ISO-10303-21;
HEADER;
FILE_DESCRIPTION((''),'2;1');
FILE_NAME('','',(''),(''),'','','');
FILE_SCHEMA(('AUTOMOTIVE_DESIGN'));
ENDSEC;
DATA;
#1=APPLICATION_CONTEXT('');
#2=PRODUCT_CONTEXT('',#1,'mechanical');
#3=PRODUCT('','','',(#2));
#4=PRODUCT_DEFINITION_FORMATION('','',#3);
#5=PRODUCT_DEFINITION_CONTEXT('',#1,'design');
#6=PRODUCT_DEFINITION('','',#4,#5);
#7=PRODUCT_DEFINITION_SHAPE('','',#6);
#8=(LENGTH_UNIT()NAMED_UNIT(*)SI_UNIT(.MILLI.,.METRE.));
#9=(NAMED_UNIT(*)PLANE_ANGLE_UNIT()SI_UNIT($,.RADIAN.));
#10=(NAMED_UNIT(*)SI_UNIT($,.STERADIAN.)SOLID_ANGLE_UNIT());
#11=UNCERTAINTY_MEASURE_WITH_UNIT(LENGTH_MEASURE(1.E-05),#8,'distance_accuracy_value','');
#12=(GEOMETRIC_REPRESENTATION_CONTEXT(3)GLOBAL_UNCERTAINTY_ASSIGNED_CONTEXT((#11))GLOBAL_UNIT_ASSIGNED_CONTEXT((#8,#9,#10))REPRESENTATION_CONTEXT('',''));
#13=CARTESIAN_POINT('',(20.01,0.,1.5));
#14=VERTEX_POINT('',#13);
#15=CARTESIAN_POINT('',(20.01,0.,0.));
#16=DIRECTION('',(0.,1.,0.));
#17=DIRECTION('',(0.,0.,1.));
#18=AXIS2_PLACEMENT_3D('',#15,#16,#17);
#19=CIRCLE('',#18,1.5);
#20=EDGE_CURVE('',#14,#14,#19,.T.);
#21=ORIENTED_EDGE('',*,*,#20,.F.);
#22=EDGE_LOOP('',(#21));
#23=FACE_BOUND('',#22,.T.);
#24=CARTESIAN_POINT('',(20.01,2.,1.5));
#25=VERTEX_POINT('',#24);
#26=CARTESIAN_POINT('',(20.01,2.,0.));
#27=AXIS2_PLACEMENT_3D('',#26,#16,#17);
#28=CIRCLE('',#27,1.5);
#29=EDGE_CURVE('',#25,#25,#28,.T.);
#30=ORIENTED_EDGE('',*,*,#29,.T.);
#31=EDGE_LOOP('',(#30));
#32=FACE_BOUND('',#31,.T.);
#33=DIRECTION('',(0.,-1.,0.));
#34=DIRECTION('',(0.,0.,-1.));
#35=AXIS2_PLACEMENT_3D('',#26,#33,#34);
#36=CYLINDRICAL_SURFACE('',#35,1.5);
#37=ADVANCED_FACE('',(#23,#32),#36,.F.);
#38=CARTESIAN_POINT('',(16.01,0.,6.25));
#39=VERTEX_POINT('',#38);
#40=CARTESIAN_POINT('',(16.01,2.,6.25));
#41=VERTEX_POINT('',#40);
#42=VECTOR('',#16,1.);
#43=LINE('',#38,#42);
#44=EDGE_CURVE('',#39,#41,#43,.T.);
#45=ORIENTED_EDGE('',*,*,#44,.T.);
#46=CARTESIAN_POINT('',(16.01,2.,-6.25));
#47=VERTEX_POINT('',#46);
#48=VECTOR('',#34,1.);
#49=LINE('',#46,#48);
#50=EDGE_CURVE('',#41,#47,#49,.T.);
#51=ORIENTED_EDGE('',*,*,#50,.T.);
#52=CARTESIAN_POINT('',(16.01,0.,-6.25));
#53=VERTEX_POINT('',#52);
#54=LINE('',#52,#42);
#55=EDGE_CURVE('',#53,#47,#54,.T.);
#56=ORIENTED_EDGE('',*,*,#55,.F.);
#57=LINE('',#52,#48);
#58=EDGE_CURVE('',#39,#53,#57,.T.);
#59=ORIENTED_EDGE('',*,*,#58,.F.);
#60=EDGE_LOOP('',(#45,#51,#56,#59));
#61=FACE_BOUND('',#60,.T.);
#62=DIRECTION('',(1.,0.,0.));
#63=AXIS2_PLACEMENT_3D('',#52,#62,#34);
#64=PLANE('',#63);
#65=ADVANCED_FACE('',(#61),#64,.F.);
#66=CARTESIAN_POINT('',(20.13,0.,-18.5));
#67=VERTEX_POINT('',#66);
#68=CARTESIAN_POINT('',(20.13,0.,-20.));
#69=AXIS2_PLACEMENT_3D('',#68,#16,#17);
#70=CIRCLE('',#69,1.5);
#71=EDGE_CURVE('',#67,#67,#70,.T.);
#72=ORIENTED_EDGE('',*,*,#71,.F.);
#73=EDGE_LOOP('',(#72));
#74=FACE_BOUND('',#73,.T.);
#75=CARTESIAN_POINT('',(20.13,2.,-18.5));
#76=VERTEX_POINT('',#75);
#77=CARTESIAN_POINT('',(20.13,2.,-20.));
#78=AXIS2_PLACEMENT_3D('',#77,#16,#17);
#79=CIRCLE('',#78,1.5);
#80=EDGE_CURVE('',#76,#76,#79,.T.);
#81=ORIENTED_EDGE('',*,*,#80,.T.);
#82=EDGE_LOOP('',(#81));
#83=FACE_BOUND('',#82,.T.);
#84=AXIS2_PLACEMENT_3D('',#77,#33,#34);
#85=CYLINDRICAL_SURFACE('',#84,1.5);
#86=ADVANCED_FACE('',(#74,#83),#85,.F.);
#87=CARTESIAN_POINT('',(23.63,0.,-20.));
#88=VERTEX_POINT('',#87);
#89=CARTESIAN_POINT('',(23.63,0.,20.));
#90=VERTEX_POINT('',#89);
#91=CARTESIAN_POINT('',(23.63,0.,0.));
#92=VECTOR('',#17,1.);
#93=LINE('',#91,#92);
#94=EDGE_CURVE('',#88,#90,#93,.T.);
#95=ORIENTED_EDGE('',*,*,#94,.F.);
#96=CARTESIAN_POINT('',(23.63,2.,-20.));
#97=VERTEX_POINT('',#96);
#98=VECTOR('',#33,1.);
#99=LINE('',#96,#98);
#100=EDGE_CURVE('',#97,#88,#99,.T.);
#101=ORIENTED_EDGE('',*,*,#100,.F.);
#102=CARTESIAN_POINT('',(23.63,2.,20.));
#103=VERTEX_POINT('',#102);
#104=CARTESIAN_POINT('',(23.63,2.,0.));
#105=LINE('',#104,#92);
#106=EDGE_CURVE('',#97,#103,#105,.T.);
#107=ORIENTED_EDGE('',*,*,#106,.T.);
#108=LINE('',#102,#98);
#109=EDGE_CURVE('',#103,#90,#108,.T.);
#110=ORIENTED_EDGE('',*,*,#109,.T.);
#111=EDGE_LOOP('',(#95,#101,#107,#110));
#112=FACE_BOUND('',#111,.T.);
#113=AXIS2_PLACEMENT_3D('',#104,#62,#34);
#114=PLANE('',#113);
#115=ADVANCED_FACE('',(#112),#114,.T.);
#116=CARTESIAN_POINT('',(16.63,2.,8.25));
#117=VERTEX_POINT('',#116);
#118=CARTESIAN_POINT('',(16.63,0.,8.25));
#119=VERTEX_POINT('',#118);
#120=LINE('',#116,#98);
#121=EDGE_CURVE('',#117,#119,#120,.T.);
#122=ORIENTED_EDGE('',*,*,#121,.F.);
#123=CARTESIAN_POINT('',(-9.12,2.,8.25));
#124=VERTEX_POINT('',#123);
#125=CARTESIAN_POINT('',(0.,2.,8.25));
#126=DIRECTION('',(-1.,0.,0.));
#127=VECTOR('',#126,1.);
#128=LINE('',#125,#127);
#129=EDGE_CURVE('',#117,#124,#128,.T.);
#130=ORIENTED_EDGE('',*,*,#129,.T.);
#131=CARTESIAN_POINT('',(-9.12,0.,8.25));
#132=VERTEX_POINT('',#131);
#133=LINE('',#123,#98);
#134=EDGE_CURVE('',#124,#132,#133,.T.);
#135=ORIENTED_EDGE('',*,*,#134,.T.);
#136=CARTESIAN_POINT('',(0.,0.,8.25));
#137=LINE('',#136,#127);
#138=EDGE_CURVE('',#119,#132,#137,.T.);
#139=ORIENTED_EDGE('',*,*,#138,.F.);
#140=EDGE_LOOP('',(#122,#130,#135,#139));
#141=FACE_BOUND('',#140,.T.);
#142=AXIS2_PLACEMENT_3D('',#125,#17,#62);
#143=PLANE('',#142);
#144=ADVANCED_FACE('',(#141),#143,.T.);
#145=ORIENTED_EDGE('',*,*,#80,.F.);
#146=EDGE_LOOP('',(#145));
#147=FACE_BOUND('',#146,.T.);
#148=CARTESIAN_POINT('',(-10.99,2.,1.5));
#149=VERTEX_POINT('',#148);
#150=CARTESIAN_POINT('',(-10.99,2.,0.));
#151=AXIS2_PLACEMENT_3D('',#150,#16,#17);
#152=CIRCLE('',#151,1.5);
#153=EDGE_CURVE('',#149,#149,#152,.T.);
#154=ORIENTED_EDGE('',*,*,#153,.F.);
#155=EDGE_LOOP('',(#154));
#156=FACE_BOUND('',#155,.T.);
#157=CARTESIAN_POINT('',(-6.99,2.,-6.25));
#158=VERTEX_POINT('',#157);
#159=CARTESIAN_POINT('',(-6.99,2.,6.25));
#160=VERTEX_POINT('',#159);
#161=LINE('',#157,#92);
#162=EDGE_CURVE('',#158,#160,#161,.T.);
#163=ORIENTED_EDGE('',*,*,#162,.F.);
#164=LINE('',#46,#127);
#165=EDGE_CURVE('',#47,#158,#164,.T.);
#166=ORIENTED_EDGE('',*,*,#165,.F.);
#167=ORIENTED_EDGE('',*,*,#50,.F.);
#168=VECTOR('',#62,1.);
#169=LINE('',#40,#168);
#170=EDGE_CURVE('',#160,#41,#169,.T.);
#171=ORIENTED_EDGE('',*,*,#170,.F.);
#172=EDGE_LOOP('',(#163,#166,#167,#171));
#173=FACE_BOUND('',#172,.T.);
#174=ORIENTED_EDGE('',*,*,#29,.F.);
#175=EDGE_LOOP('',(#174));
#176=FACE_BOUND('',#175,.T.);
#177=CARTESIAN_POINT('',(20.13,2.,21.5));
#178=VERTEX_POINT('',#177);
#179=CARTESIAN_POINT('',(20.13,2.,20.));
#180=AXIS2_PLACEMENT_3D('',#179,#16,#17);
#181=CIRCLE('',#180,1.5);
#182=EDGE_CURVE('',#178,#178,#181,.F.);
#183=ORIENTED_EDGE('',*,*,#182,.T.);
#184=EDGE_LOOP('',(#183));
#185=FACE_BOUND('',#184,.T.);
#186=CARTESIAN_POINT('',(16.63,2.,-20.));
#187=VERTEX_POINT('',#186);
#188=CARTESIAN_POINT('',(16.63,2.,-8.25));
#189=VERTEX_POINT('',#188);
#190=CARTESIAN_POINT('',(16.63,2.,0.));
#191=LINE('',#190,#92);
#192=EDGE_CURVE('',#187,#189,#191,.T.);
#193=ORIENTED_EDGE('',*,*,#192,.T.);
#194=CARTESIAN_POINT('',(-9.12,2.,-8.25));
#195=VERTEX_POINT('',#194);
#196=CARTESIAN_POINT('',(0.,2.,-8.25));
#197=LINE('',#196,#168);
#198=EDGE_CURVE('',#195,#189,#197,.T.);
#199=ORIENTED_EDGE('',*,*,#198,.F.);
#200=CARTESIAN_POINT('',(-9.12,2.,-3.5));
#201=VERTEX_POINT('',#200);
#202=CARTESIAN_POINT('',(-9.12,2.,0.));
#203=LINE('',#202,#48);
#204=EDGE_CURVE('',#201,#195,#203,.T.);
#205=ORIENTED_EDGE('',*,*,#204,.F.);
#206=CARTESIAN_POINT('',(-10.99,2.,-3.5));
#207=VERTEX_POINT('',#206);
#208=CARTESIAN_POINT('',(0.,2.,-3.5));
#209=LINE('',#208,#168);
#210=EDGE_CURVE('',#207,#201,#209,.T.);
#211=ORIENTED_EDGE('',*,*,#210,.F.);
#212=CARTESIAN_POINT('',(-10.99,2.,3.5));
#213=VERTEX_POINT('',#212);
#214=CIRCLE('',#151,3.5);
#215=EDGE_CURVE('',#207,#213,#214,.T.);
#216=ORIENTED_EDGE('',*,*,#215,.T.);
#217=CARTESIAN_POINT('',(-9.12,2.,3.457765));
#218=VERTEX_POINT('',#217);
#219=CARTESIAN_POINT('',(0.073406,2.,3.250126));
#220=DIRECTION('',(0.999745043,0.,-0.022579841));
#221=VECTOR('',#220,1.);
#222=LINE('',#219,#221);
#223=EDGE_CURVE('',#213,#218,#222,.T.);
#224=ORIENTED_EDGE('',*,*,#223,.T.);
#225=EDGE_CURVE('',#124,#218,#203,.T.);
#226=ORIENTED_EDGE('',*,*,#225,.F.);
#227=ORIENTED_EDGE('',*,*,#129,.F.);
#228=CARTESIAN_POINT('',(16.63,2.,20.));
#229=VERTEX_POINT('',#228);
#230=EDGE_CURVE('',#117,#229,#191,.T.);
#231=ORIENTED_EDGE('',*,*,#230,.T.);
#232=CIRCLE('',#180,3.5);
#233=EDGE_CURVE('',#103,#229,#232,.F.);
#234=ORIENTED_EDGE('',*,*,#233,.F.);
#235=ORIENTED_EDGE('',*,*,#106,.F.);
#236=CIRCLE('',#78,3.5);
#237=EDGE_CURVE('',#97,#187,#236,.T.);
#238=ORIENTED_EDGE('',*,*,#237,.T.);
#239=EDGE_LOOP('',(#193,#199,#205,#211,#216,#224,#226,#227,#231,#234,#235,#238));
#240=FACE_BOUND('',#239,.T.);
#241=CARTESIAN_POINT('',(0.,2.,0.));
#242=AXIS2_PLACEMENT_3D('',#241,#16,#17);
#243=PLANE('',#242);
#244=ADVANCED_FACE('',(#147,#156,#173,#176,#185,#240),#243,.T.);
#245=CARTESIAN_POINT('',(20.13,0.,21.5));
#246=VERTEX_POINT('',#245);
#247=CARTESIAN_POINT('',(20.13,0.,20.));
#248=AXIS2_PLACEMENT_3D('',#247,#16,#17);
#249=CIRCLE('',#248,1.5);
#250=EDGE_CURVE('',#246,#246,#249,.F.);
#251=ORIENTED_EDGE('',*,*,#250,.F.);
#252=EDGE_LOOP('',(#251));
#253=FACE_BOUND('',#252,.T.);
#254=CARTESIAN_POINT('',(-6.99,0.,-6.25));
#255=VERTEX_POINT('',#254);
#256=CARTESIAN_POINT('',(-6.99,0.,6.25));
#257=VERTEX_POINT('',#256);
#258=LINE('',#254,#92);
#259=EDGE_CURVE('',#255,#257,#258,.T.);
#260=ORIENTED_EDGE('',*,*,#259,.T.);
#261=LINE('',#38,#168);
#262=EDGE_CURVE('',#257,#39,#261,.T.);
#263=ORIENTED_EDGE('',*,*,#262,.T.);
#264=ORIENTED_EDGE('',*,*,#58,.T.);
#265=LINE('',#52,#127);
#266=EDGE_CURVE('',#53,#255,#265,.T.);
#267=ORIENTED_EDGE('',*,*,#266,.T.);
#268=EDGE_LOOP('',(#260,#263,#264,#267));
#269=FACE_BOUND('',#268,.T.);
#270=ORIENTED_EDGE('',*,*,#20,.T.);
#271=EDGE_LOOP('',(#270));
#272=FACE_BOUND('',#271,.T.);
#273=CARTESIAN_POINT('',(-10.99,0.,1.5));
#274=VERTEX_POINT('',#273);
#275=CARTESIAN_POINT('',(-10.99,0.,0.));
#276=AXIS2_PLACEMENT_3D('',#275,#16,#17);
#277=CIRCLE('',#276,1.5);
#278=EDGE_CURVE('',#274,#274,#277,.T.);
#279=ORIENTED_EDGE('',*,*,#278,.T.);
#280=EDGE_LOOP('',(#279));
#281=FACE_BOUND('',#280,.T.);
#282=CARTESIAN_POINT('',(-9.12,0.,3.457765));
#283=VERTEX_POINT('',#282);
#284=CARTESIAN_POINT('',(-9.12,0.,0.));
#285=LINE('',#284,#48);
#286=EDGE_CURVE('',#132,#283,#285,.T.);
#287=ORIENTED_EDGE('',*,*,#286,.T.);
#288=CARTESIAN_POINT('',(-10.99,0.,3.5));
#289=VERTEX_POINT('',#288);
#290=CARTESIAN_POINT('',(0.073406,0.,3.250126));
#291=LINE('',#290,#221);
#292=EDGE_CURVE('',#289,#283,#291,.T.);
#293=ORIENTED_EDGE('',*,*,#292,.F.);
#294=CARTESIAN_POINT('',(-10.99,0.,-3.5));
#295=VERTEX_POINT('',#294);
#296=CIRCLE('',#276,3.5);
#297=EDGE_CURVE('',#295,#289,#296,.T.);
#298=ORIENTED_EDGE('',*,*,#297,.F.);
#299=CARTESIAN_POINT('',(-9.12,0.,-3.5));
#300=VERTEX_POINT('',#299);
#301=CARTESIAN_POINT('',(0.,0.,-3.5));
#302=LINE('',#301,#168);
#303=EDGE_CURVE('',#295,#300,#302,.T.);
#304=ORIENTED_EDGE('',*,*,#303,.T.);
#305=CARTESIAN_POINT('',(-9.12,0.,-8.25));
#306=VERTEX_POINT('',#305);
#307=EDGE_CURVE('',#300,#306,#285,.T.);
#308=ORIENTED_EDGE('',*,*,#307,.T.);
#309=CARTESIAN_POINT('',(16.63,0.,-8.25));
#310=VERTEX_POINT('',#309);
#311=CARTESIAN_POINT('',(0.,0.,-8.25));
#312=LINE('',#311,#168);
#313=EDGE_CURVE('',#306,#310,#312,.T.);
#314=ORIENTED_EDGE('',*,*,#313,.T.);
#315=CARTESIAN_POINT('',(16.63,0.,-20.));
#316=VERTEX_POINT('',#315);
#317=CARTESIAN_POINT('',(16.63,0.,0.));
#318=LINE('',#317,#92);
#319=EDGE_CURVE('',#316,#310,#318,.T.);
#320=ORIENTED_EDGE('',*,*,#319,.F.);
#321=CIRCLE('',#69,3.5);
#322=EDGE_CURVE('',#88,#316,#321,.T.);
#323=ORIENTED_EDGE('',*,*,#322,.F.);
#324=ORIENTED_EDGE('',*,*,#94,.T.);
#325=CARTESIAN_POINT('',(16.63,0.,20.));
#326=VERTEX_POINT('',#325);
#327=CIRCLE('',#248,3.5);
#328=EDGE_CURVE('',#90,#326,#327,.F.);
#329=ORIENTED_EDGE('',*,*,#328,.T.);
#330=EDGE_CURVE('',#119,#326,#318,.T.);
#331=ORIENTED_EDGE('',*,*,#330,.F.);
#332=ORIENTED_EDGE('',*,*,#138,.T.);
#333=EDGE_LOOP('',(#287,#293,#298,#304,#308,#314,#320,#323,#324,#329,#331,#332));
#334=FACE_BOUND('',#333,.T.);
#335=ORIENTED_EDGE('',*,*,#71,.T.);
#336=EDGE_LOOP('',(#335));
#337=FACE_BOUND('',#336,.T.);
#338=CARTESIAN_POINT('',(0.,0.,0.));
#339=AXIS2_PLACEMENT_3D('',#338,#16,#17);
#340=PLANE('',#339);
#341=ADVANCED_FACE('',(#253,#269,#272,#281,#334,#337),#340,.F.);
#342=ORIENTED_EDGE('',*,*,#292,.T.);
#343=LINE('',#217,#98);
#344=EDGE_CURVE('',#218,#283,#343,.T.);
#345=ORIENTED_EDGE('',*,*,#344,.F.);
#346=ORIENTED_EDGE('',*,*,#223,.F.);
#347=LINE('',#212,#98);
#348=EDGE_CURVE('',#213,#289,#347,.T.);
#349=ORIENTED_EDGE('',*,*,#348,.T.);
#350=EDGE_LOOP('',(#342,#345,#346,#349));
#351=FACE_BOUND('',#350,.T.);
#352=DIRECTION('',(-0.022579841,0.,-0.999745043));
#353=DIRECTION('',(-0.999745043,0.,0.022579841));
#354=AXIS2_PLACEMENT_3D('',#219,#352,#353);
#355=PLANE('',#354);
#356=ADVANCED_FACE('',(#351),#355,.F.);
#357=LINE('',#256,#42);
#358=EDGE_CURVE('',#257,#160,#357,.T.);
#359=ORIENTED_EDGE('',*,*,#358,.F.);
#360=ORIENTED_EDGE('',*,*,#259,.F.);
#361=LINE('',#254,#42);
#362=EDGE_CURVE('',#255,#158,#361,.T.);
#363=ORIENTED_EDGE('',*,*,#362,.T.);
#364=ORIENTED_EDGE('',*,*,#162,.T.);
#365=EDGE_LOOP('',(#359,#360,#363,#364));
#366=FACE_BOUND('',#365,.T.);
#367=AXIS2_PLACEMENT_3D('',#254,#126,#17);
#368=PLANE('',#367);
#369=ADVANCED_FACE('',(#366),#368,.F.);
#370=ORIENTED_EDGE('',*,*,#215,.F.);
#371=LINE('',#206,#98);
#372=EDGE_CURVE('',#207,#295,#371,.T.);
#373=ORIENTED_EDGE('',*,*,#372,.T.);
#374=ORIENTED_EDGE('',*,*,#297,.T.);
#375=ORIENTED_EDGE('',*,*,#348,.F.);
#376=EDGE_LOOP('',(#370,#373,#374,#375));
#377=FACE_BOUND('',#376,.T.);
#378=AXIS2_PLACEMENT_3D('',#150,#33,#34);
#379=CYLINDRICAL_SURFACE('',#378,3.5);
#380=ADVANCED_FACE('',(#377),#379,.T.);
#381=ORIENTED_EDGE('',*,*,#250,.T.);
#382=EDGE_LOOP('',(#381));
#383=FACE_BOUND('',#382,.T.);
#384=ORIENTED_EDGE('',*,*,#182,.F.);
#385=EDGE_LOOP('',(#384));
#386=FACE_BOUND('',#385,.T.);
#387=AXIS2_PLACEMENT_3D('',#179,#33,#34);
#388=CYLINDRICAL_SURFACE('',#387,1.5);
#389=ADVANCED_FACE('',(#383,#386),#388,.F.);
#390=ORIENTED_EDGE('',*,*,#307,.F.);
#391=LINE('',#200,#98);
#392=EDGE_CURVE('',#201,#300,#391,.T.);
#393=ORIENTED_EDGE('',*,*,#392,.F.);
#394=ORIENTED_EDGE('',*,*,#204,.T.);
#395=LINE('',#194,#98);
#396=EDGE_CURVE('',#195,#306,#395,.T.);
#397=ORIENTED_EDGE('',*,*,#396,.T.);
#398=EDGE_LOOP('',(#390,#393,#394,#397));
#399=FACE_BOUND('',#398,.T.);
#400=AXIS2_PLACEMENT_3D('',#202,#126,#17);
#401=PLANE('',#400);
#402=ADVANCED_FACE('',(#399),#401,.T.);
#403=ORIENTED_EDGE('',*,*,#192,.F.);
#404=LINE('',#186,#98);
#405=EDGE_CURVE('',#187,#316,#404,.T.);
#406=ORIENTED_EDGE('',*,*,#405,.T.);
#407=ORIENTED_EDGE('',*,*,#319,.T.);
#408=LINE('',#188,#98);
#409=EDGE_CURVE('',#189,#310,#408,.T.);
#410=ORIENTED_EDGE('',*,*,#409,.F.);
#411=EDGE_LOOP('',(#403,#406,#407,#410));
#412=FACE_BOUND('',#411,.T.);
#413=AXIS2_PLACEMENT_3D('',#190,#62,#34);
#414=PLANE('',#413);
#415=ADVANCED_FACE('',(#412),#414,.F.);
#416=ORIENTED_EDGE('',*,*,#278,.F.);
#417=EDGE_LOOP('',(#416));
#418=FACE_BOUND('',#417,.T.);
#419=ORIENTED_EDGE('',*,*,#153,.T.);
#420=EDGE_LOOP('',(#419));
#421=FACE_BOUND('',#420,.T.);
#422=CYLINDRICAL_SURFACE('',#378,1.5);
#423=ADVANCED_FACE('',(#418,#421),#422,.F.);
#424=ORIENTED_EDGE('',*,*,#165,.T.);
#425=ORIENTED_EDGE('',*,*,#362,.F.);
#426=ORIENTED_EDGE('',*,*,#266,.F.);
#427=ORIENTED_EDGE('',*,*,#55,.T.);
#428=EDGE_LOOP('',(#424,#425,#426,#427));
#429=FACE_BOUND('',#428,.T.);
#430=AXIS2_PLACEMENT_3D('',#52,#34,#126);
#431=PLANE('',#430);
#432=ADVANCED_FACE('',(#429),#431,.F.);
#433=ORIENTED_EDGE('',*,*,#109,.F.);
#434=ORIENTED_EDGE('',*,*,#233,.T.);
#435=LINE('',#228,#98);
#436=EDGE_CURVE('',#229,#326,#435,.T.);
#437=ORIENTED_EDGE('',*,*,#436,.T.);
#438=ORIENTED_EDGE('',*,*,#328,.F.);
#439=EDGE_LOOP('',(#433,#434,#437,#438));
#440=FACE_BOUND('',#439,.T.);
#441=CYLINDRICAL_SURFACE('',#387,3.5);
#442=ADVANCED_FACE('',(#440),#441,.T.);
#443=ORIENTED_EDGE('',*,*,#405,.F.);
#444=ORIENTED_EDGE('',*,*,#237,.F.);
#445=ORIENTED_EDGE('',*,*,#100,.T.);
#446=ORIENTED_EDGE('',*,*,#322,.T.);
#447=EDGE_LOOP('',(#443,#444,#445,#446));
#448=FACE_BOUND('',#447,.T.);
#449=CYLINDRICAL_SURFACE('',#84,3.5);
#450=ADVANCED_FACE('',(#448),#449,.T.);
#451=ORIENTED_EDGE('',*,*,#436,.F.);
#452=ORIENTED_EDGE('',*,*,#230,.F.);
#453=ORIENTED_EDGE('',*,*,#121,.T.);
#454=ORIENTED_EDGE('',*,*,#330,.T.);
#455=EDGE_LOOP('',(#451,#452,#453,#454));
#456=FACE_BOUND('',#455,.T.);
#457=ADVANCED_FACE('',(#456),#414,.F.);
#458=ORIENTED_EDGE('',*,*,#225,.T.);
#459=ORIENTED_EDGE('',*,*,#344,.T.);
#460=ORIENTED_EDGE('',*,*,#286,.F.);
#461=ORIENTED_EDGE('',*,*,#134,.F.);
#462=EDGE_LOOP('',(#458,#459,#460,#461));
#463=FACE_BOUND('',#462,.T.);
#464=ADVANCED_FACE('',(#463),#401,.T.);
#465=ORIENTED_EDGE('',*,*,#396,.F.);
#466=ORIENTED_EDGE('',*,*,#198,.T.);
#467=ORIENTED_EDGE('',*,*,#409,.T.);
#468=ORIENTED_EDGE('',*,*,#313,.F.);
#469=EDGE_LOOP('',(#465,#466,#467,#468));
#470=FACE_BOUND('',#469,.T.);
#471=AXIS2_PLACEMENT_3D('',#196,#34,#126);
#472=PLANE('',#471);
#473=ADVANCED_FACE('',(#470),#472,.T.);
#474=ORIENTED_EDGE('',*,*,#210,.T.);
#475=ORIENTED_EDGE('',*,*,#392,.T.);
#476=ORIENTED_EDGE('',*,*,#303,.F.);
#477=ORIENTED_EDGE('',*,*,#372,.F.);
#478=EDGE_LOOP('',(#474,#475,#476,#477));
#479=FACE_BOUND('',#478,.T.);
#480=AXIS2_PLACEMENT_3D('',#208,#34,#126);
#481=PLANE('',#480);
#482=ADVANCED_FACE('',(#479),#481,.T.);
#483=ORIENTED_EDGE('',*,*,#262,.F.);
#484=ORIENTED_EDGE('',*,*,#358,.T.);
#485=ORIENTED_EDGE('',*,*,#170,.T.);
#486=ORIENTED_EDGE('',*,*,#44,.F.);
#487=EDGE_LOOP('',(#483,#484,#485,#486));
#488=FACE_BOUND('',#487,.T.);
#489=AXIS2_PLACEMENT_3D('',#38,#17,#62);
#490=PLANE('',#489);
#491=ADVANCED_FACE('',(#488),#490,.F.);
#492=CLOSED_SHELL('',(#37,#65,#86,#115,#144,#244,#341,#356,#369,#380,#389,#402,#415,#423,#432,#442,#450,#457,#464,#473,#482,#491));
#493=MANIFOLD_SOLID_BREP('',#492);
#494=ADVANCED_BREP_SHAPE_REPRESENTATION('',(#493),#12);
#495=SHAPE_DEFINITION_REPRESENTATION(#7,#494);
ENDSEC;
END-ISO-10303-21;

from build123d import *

# Parameters (mm, degrees)
SKETCH1_R           = 1.5
BOSS_EXTRUDE1_DEPTH = 2
SKETCH2_W           = 23
SKETCH2_H           = 12.5
CUT_EXTRUDE1_DEPTH  = 3


with BuildPart() as part:
    # Sketch1 → Boss-Extrude1 (new body)
    with BuildSketch(Plane(origin=(0, 0, 0), x_dir=(1, 0, 0), z_dir=(0, 1, 0))):
        with BuildLine():
            Line((-9.12, -3.457764929), (-9.12, -8.25))
            Line((-9.12, -8.25), (16.63, -8.25))
            Line((16.63, -8.25), (16.63, -20))
            ThreePointArc((16.63, -20), (20.13, -23.5), (23.63, -20))
            Line((23.63, -20), (23.63, 20))
            ThreePointArc((23.63, 20), (20.13, 23.5), (16.63, 20))
            Line((16.63, 20), (16.63, 8.25))
            Line((16.63, 8.25), (-9.12, 8.25))
            Line((-9.12, 8.25), (-9.12, 3.5))
            Line((-9.12, 3.5), (-10.99, 3.5))
            ThreePointArc((-10.99, 3.5), (-14.49, 0), (-10.99, -3.5))
            Line((-10.99, -3.5), (-9.12, -3.457764929))
        make_face()
        with Locations((-10.99, 0)):
            Circle(SKETCH1_R, mode=Mode.SUBTRACT)
        with Locations((20.01, 0)):
            Circle(SKETCH1_R, mode=Mode.SUBTRACT)
        with Locations((20.13, 20)):
            Circle(SKETCH1_R, mode=Mode.SUBTRACT)
        with Locations((20.13, -20)):
            Circle(SKETCH1_R, mode=Mode.SUBTRACT)
    extrude(amount=BOSS_EXTRUDE1_DEPTH)

    # Sketch2 → Cut-Extrude1 (cut, through all)
    with BuildSketch(Plane(origin=(0, 2, 0), x_dir=(1, 0, 0), z_dir=(0, 1, 0))):
        with Locations((4.51, 0)):
            Rectangle(SKETCH2_W, SKETCH2_H)
    extrude(amount=-CUT_EXTRUDE1_DEPTH, mode=Mode.SUBTRACT)


solid = part.part
